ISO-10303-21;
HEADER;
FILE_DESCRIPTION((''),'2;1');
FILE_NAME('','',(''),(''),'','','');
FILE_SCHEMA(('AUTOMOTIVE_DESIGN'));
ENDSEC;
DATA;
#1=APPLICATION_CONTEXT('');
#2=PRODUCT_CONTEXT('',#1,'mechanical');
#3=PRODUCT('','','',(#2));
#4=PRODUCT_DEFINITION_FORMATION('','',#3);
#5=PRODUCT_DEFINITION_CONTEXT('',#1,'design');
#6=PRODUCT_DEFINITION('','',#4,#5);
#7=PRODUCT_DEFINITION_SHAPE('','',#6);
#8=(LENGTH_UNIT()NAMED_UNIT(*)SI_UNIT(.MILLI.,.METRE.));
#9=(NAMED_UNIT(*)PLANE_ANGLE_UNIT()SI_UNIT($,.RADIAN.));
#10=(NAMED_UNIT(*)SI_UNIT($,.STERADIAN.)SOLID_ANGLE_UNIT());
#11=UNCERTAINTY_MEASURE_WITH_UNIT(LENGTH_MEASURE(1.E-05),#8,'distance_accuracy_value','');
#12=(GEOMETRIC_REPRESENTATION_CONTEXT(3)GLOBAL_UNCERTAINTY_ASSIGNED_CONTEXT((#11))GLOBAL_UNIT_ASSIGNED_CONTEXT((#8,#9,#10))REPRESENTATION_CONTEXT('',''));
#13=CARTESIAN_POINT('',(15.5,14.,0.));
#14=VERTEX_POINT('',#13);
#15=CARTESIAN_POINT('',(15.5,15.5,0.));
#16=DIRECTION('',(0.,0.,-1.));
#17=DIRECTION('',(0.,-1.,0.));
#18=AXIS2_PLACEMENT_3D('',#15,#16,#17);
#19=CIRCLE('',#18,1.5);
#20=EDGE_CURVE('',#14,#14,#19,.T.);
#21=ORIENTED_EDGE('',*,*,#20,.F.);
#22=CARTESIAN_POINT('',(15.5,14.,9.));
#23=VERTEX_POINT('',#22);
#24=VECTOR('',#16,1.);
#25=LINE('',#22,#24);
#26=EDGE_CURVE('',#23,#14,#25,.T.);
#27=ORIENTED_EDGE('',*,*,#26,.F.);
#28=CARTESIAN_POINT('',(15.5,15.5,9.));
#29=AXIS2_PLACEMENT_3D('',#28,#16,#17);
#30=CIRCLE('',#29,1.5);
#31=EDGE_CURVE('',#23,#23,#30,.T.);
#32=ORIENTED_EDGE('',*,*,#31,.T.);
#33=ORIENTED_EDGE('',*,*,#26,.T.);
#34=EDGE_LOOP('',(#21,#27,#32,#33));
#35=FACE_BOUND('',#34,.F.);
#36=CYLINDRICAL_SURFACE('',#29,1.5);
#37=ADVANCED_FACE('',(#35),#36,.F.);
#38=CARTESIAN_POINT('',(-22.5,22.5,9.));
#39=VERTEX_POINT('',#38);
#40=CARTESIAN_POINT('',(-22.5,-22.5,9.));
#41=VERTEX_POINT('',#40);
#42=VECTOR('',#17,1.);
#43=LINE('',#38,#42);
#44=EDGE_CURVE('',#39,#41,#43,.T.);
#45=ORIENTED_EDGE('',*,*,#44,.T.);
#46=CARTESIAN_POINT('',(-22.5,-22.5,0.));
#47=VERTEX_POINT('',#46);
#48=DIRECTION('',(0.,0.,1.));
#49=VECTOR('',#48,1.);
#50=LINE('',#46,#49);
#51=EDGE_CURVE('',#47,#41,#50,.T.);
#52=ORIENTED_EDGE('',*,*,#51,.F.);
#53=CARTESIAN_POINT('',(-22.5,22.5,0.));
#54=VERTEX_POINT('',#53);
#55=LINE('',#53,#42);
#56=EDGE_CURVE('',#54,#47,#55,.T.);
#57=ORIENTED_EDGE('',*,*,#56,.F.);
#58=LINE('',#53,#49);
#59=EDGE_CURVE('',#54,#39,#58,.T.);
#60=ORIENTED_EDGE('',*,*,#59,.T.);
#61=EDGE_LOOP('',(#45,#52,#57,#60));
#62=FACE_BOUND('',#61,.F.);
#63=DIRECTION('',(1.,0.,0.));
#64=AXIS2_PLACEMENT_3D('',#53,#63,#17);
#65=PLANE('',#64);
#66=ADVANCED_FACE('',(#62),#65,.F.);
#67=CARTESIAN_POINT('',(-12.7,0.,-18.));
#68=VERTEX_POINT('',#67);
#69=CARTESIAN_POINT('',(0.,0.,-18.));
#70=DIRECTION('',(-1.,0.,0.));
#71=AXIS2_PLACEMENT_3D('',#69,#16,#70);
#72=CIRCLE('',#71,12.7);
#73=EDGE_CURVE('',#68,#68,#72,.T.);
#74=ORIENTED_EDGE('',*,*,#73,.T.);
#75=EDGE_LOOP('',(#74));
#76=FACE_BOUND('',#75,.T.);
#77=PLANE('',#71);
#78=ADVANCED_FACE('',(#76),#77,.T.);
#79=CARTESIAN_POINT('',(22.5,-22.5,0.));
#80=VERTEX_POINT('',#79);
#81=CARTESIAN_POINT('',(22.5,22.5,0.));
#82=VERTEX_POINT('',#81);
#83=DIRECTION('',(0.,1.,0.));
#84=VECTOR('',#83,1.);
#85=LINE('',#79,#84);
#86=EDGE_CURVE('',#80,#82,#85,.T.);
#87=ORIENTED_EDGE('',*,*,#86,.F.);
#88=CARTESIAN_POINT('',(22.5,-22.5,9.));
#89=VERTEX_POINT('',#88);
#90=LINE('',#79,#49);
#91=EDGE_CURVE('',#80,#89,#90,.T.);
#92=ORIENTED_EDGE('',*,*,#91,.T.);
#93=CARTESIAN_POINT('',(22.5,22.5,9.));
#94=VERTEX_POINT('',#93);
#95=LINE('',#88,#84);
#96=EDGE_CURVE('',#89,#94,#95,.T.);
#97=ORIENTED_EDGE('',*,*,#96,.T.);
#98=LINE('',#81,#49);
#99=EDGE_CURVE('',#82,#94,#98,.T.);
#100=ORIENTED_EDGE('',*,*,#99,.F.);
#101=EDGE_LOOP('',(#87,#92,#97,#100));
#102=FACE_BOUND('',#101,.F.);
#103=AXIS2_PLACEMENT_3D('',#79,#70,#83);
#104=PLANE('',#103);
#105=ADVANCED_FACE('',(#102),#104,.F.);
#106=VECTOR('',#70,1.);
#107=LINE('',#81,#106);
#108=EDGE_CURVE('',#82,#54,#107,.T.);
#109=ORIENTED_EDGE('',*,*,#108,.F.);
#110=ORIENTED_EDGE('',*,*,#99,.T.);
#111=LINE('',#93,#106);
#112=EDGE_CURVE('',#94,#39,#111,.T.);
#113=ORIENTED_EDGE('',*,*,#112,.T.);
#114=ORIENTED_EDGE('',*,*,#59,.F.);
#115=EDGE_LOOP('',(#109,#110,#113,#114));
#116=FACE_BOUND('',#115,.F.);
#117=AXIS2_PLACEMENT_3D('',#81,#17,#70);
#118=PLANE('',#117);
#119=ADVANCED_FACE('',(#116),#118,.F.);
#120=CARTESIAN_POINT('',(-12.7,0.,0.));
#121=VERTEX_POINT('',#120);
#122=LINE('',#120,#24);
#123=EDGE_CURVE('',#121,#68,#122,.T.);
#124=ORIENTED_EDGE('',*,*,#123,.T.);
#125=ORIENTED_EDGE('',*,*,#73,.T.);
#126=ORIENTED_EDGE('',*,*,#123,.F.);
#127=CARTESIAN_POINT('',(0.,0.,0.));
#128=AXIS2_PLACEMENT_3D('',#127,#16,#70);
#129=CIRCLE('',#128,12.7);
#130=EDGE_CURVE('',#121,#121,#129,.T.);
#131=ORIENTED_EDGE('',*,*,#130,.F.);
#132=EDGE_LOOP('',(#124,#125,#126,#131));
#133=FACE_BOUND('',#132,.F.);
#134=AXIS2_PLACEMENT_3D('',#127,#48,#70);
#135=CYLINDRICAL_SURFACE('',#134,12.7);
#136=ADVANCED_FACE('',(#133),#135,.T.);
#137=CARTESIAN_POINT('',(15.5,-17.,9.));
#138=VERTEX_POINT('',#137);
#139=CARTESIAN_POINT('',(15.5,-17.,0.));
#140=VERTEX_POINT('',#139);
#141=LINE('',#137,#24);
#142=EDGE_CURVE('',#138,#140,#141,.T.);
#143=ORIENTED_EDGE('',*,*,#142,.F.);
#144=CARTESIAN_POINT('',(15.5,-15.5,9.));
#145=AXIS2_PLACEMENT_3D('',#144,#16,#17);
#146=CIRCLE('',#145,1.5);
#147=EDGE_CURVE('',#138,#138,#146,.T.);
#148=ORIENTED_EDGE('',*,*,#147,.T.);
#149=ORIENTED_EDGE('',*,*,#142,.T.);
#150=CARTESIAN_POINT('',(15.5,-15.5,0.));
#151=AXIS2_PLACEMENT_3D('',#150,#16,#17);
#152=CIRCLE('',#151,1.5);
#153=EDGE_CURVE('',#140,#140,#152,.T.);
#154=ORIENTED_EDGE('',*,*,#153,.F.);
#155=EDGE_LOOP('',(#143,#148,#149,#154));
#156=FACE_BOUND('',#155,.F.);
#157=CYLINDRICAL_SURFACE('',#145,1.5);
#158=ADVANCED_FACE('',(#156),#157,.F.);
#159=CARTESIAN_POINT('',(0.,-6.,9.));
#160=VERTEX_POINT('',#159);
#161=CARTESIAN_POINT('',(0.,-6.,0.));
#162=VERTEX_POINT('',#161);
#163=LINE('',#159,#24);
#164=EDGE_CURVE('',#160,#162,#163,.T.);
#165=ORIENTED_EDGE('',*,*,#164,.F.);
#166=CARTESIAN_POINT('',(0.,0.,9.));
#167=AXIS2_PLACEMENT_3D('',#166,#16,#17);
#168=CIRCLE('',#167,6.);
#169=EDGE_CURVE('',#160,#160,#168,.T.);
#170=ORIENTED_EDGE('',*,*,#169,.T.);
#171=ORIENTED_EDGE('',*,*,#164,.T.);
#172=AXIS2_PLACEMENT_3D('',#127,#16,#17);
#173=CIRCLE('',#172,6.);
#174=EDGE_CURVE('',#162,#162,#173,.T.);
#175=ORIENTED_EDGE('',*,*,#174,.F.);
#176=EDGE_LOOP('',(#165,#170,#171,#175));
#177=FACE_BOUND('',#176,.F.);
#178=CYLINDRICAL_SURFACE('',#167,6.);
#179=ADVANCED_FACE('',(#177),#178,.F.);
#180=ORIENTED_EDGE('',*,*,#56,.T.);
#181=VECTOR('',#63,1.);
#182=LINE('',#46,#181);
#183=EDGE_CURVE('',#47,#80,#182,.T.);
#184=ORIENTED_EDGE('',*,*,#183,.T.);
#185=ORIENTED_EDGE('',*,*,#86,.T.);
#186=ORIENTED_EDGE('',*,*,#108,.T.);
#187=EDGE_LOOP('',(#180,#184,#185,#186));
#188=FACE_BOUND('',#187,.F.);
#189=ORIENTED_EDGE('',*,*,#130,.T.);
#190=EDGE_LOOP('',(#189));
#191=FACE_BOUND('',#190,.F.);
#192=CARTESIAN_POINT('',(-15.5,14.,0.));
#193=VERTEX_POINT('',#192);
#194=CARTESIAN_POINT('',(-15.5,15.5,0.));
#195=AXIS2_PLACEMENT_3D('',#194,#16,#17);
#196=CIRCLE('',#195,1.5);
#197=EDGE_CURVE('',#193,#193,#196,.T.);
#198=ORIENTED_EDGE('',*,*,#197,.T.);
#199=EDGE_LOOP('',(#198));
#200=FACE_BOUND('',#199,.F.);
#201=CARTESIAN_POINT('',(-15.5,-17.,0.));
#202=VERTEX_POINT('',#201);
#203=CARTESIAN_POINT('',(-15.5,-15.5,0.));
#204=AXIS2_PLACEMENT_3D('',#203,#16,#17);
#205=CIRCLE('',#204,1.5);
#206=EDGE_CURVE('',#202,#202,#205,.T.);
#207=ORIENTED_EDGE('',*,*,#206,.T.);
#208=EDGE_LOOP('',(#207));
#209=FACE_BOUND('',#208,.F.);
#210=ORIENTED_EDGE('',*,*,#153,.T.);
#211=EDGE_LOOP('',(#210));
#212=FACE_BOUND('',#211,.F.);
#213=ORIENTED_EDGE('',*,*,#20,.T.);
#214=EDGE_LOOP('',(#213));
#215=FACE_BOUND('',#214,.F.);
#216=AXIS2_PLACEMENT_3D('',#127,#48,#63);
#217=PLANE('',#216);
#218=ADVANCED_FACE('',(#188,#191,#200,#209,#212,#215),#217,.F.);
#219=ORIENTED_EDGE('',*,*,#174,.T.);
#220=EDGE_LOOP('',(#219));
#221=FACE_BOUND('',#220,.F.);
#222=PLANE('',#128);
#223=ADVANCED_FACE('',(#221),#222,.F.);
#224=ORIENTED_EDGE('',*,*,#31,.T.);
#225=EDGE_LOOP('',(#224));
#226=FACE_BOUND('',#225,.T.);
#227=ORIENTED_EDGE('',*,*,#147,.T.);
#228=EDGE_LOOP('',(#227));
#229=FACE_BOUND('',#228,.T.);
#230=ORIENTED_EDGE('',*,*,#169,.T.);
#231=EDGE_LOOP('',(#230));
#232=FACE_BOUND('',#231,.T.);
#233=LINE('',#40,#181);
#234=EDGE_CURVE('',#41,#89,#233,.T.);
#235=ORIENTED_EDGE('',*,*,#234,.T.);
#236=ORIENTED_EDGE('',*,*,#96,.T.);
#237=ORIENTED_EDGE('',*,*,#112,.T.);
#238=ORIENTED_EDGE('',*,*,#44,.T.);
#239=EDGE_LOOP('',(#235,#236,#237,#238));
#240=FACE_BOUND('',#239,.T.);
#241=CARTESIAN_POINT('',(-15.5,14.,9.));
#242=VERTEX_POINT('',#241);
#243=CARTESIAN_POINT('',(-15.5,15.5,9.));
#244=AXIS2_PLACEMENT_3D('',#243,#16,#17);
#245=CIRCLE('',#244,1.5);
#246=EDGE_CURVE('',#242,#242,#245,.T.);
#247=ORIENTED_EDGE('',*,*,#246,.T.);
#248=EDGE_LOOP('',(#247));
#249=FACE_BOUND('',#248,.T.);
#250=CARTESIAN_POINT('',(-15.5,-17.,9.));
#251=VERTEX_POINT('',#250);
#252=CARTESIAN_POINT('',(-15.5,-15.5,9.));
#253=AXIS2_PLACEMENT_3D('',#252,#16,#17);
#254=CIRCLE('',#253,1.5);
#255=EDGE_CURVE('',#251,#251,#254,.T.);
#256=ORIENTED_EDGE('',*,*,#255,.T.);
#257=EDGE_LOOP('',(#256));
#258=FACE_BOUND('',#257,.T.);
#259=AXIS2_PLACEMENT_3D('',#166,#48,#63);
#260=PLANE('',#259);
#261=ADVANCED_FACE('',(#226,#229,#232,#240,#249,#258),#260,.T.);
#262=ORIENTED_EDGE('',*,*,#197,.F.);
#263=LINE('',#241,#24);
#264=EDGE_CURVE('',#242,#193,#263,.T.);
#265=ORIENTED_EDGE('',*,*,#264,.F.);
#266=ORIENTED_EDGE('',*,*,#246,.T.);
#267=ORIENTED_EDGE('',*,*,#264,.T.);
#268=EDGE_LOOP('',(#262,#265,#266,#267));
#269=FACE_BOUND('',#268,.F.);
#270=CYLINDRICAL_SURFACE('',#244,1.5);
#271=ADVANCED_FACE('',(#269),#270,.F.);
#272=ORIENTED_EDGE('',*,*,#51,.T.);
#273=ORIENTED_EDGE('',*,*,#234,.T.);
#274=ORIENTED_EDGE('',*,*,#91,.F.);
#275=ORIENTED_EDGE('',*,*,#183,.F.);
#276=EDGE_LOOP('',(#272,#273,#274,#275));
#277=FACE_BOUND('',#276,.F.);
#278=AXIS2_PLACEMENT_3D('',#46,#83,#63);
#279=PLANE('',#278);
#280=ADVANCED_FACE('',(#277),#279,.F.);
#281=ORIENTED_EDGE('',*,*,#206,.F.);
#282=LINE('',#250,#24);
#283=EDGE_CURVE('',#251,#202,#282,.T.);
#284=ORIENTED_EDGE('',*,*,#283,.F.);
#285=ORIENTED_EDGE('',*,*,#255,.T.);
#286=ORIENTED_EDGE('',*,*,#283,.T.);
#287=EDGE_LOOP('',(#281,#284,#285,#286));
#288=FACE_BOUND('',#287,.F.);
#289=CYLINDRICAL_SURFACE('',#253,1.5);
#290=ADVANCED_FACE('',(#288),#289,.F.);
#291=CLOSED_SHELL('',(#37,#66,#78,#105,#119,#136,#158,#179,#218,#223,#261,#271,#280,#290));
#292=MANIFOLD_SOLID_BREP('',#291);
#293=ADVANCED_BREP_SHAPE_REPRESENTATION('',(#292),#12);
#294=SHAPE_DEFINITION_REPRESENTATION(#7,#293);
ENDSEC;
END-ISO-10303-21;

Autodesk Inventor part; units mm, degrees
ref_plane "YZ Plane" through (0, 0, 0) normal (1, 0, 0) x (0, 1, 0)
ref_plane "XZ Plane" through (0, 0, 0) normal (0, 1, 0) x (-1, 0, 0)
ref_plane "XY Plane" through (0, 0, 0) normal (0, 0, 1) x (1, 0, 0)
sketch "Boceto1" plane through (0, 0, 0) normal (0, 0, 1) x (1, 0, 0)
  line L0 (-22.5, -22.5) -> (22.5, -22.5)
  line L1 (22.5, -22.5) -> (22.5, 22.5)
  line L2 (22.5, 22.5) -> (-22.5, 22.5)
  line L3 (-22.5, 22.5) -> (-22.5, -22.5)
  line L4 (-22.5, -22.5) -> (22.5, 22.5) construction
  line L5 (22.5, -22.5) -> (-22.5, 22.5) construction
  point P0 (0, 0)
  dimension "d0" = 45
  dimension "d1" = 45
extrude "Extrusión1" add sketch "Boceto1" along normal blind 9
sketch "Boceto2" plane through (0, 0, 9) normal (0, 0, 1) x (1, 0, 0)
  circle A0 centre (0, 0) radius 6
  dimension "d4" = 12
hole "Agujero1" at (0, 0, 9) direction (0, 0, -1) diameter 12 depth 9
sketch "Boceto3" plane through (0, 0, 9) normal (0, 0, 1) x (1, 0, 0)
  line L0 (-15.5, -15.5) -> (15.5, -15.5)
  line L1 (15.5, -15.5) -> (15.5, 15.5)
  line L2 (15.5, 15.5) -> (-15.5, 15.5)
  line L3 (-15.5, 15.5) -> (-15.5, -15.5)
  line L4 (-15.5, -15.5) -> (15.5, 15.5) construction
  line L5 (15.5, -15.5) -> (-15.5, 15.5) construction
  line L6 (0, 15.5) -> (0, -15.5)
  line L7 (-15.5, 0) -> (15.5, 0)
  point P0 (0, 0)
  dimension "d12" = 31
  dimension "d13" = 31
hole "Agujero2" at (-15.5, 15.5, 9) at (-15.5, -15.5, 9) at (15.5, -15.5, 9) at (15.5, 15.5, 9) direction (0, 0, -1) diameter 3 depth 9 tip angle 118
sketch "Boceto4" plane through (0, 0, 0) normal (0, 0, -1) x (-1, 0, 0)
  circle A0 centre (0, 0) radius 12.7
  dimension "d21" = 25.4
extrude "Extrusión2" add sketch "Boceto4" along normal blind 18
properties part number "soporte"
